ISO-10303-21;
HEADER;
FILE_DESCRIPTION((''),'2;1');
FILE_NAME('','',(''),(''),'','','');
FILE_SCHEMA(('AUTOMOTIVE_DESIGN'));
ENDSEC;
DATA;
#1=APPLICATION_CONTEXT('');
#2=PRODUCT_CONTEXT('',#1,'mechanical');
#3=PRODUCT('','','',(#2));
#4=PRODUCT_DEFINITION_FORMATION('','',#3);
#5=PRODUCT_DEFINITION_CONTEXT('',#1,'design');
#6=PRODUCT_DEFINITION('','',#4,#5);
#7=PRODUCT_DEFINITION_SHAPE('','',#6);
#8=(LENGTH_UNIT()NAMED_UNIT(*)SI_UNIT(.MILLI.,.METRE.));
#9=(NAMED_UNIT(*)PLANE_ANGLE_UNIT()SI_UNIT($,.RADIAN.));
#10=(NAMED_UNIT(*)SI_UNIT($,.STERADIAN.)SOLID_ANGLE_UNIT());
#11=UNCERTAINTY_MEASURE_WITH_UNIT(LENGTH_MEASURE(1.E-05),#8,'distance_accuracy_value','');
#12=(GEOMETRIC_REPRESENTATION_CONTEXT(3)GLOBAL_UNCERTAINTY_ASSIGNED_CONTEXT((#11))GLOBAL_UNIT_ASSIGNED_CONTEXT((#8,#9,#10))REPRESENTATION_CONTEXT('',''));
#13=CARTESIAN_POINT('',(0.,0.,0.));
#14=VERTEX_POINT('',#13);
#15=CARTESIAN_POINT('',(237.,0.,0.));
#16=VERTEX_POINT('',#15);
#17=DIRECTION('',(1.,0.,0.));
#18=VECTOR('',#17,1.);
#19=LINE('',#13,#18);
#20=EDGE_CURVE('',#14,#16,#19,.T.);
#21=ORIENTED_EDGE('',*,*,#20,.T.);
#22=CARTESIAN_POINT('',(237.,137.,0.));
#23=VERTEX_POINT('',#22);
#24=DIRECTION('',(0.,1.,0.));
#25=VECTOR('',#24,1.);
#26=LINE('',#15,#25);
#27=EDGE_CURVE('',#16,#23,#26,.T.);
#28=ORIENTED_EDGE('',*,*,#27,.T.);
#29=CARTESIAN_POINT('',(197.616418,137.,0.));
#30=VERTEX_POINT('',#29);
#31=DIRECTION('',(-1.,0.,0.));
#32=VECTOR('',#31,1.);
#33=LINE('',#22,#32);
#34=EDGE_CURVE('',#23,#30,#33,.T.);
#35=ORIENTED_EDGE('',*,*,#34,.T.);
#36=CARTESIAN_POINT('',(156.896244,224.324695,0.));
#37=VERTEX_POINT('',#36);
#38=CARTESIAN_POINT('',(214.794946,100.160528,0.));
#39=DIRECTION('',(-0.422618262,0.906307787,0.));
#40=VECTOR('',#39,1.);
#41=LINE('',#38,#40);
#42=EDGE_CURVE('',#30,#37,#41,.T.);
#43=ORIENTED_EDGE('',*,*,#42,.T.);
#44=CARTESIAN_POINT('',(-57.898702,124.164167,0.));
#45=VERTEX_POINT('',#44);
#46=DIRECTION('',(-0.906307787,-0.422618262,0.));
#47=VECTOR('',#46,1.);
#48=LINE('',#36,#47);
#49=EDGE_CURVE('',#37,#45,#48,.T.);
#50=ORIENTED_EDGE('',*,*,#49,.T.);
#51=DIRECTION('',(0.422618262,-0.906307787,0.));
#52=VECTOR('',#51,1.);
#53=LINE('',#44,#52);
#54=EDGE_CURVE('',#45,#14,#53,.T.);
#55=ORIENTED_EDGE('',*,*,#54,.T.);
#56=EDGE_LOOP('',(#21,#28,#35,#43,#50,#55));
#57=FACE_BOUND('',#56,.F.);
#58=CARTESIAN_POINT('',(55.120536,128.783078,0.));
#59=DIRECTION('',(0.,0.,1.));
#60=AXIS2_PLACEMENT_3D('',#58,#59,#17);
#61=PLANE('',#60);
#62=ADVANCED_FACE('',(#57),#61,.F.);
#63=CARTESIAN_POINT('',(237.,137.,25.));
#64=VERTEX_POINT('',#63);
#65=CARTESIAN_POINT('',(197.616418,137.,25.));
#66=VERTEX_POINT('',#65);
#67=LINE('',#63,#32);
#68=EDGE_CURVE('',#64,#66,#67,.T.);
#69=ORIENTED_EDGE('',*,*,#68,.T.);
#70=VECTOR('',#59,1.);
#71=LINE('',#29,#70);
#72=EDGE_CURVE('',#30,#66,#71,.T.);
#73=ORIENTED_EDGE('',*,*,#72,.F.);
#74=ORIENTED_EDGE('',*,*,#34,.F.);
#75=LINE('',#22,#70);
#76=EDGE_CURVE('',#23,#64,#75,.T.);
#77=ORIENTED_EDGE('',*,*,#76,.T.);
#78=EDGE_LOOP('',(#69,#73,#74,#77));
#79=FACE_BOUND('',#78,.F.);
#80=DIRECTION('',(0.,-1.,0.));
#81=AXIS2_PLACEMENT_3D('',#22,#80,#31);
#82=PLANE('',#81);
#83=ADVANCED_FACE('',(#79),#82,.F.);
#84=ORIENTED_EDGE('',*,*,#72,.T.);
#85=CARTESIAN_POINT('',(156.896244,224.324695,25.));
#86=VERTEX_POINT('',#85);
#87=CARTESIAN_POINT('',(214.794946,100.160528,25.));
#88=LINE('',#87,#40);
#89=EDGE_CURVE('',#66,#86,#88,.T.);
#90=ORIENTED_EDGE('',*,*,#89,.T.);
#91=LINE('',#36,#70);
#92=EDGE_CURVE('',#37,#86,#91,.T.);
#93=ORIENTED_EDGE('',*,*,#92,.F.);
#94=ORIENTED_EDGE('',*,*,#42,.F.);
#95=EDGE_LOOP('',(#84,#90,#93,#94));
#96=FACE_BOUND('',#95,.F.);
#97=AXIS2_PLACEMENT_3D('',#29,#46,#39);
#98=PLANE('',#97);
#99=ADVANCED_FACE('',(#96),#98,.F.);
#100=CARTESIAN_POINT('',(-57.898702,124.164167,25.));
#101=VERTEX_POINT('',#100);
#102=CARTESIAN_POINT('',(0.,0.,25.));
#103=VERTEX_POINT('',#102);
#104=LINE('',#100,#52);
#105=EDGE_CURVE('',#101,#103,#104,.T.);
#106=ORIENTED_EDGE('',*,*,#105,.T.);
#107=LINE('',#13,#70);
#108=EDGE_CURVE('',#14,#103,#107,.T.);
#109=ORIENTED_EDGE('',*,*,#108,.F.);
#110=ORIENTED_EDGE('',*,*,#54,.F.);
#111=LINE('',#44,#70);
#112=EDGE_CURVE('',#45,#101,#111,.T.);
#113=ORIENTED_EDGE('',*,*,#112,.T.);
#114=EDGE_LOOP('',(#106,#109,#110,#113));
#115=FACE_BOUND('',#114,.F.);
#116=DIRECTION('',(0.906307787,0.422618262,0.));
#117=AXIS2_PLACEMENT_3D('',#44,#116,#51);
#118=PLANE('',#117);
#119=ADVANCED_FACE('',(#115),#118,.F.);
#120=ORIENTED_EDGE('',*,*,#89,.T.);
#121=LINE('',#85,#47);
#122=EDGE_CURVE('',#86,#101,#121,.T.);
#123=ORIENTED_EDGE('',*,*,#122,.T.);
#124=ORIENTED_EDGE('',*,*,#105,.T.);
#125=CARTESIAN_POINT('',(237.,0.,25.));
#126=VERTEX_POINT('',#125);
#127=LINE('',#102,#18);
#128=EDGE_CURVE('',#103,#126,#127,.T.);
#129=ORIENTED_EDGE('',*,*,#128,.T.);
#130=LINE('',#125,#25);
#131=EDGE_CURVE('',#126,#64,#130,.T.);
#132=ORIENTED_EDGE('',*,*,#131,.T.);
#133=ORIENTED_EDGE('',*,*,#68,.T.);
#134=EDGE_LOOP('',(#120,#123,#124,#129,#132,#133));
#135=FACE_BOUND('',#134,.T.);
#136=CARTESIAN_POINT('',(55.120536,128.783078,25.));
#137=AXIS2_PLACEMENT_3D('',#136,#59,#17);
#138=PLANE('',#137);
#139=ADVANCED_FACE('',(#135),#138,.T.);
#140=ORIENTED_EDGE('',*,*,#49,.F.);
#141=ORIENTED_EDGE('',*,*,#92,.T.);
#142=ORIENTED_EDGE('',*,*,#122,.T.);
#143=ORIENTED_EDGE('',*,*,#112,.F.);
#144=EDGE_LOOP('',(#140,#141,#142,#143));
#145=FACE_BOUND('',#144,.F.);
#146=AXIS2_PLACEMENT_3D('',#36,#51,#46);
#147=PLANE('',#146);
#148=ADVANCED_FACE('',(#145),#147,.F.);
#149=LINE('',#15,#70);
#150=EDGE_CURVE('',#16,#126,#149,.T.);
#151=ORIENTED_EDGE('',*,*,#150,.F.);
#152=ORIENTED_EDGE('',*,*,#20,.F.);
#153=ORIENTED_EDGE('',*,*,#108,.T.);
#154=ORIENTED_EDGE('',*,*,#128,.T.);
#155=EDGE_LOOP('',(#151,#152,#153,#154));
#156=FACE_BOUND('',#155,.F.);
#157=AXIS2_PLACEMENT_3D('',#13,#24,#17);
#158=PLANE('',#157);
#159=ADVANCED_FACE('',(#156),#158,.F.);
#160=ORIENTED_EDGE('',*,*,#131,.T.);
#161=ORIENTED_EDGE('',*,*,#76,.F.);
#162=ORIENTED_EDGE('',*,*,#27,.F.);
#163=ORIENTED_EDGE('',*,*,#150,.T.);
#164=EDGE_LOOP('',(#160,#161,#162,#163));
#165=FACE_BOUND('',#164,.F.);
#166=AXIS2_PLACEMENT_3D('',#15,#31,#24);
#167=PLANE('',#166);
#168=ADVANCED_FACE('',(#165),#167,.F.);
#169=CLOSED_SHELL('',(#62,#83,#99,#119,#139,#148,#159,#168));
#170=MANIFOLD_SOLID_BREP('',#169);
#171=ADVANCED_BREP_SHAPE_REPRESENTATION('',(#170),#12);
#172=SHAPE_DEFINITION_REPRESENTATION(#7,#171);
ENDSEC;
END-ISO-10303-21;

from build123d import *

# Parameters (mm, degrees)
F1_DEPTH = 25


with BuildPart() as f1:
    # F0 (on Top) → F1 (new body)
    with BuildSketch(Plane.XY):
        Polygon((0, 0), (0, 137), (197.6164176269, 137), (156.8962436692, 224.3246948566), (-57.8987018585, 124.164166824), align=None)
        Polygon((197.6164176269, 137), (0, 137), (0, 0), (47.1280049259, 21.9761496105), (214.7949455277, 100.1605280325), align=None)
        Polygon((237, 137), (197.6164176269, 137), (214.7949455277, 100.1605280325), (47.1280049259, 21.9761496105), (0, 0), (237, 0), align=None)
    extrude(amount=F1_DEPTH)


solid = f1.part
